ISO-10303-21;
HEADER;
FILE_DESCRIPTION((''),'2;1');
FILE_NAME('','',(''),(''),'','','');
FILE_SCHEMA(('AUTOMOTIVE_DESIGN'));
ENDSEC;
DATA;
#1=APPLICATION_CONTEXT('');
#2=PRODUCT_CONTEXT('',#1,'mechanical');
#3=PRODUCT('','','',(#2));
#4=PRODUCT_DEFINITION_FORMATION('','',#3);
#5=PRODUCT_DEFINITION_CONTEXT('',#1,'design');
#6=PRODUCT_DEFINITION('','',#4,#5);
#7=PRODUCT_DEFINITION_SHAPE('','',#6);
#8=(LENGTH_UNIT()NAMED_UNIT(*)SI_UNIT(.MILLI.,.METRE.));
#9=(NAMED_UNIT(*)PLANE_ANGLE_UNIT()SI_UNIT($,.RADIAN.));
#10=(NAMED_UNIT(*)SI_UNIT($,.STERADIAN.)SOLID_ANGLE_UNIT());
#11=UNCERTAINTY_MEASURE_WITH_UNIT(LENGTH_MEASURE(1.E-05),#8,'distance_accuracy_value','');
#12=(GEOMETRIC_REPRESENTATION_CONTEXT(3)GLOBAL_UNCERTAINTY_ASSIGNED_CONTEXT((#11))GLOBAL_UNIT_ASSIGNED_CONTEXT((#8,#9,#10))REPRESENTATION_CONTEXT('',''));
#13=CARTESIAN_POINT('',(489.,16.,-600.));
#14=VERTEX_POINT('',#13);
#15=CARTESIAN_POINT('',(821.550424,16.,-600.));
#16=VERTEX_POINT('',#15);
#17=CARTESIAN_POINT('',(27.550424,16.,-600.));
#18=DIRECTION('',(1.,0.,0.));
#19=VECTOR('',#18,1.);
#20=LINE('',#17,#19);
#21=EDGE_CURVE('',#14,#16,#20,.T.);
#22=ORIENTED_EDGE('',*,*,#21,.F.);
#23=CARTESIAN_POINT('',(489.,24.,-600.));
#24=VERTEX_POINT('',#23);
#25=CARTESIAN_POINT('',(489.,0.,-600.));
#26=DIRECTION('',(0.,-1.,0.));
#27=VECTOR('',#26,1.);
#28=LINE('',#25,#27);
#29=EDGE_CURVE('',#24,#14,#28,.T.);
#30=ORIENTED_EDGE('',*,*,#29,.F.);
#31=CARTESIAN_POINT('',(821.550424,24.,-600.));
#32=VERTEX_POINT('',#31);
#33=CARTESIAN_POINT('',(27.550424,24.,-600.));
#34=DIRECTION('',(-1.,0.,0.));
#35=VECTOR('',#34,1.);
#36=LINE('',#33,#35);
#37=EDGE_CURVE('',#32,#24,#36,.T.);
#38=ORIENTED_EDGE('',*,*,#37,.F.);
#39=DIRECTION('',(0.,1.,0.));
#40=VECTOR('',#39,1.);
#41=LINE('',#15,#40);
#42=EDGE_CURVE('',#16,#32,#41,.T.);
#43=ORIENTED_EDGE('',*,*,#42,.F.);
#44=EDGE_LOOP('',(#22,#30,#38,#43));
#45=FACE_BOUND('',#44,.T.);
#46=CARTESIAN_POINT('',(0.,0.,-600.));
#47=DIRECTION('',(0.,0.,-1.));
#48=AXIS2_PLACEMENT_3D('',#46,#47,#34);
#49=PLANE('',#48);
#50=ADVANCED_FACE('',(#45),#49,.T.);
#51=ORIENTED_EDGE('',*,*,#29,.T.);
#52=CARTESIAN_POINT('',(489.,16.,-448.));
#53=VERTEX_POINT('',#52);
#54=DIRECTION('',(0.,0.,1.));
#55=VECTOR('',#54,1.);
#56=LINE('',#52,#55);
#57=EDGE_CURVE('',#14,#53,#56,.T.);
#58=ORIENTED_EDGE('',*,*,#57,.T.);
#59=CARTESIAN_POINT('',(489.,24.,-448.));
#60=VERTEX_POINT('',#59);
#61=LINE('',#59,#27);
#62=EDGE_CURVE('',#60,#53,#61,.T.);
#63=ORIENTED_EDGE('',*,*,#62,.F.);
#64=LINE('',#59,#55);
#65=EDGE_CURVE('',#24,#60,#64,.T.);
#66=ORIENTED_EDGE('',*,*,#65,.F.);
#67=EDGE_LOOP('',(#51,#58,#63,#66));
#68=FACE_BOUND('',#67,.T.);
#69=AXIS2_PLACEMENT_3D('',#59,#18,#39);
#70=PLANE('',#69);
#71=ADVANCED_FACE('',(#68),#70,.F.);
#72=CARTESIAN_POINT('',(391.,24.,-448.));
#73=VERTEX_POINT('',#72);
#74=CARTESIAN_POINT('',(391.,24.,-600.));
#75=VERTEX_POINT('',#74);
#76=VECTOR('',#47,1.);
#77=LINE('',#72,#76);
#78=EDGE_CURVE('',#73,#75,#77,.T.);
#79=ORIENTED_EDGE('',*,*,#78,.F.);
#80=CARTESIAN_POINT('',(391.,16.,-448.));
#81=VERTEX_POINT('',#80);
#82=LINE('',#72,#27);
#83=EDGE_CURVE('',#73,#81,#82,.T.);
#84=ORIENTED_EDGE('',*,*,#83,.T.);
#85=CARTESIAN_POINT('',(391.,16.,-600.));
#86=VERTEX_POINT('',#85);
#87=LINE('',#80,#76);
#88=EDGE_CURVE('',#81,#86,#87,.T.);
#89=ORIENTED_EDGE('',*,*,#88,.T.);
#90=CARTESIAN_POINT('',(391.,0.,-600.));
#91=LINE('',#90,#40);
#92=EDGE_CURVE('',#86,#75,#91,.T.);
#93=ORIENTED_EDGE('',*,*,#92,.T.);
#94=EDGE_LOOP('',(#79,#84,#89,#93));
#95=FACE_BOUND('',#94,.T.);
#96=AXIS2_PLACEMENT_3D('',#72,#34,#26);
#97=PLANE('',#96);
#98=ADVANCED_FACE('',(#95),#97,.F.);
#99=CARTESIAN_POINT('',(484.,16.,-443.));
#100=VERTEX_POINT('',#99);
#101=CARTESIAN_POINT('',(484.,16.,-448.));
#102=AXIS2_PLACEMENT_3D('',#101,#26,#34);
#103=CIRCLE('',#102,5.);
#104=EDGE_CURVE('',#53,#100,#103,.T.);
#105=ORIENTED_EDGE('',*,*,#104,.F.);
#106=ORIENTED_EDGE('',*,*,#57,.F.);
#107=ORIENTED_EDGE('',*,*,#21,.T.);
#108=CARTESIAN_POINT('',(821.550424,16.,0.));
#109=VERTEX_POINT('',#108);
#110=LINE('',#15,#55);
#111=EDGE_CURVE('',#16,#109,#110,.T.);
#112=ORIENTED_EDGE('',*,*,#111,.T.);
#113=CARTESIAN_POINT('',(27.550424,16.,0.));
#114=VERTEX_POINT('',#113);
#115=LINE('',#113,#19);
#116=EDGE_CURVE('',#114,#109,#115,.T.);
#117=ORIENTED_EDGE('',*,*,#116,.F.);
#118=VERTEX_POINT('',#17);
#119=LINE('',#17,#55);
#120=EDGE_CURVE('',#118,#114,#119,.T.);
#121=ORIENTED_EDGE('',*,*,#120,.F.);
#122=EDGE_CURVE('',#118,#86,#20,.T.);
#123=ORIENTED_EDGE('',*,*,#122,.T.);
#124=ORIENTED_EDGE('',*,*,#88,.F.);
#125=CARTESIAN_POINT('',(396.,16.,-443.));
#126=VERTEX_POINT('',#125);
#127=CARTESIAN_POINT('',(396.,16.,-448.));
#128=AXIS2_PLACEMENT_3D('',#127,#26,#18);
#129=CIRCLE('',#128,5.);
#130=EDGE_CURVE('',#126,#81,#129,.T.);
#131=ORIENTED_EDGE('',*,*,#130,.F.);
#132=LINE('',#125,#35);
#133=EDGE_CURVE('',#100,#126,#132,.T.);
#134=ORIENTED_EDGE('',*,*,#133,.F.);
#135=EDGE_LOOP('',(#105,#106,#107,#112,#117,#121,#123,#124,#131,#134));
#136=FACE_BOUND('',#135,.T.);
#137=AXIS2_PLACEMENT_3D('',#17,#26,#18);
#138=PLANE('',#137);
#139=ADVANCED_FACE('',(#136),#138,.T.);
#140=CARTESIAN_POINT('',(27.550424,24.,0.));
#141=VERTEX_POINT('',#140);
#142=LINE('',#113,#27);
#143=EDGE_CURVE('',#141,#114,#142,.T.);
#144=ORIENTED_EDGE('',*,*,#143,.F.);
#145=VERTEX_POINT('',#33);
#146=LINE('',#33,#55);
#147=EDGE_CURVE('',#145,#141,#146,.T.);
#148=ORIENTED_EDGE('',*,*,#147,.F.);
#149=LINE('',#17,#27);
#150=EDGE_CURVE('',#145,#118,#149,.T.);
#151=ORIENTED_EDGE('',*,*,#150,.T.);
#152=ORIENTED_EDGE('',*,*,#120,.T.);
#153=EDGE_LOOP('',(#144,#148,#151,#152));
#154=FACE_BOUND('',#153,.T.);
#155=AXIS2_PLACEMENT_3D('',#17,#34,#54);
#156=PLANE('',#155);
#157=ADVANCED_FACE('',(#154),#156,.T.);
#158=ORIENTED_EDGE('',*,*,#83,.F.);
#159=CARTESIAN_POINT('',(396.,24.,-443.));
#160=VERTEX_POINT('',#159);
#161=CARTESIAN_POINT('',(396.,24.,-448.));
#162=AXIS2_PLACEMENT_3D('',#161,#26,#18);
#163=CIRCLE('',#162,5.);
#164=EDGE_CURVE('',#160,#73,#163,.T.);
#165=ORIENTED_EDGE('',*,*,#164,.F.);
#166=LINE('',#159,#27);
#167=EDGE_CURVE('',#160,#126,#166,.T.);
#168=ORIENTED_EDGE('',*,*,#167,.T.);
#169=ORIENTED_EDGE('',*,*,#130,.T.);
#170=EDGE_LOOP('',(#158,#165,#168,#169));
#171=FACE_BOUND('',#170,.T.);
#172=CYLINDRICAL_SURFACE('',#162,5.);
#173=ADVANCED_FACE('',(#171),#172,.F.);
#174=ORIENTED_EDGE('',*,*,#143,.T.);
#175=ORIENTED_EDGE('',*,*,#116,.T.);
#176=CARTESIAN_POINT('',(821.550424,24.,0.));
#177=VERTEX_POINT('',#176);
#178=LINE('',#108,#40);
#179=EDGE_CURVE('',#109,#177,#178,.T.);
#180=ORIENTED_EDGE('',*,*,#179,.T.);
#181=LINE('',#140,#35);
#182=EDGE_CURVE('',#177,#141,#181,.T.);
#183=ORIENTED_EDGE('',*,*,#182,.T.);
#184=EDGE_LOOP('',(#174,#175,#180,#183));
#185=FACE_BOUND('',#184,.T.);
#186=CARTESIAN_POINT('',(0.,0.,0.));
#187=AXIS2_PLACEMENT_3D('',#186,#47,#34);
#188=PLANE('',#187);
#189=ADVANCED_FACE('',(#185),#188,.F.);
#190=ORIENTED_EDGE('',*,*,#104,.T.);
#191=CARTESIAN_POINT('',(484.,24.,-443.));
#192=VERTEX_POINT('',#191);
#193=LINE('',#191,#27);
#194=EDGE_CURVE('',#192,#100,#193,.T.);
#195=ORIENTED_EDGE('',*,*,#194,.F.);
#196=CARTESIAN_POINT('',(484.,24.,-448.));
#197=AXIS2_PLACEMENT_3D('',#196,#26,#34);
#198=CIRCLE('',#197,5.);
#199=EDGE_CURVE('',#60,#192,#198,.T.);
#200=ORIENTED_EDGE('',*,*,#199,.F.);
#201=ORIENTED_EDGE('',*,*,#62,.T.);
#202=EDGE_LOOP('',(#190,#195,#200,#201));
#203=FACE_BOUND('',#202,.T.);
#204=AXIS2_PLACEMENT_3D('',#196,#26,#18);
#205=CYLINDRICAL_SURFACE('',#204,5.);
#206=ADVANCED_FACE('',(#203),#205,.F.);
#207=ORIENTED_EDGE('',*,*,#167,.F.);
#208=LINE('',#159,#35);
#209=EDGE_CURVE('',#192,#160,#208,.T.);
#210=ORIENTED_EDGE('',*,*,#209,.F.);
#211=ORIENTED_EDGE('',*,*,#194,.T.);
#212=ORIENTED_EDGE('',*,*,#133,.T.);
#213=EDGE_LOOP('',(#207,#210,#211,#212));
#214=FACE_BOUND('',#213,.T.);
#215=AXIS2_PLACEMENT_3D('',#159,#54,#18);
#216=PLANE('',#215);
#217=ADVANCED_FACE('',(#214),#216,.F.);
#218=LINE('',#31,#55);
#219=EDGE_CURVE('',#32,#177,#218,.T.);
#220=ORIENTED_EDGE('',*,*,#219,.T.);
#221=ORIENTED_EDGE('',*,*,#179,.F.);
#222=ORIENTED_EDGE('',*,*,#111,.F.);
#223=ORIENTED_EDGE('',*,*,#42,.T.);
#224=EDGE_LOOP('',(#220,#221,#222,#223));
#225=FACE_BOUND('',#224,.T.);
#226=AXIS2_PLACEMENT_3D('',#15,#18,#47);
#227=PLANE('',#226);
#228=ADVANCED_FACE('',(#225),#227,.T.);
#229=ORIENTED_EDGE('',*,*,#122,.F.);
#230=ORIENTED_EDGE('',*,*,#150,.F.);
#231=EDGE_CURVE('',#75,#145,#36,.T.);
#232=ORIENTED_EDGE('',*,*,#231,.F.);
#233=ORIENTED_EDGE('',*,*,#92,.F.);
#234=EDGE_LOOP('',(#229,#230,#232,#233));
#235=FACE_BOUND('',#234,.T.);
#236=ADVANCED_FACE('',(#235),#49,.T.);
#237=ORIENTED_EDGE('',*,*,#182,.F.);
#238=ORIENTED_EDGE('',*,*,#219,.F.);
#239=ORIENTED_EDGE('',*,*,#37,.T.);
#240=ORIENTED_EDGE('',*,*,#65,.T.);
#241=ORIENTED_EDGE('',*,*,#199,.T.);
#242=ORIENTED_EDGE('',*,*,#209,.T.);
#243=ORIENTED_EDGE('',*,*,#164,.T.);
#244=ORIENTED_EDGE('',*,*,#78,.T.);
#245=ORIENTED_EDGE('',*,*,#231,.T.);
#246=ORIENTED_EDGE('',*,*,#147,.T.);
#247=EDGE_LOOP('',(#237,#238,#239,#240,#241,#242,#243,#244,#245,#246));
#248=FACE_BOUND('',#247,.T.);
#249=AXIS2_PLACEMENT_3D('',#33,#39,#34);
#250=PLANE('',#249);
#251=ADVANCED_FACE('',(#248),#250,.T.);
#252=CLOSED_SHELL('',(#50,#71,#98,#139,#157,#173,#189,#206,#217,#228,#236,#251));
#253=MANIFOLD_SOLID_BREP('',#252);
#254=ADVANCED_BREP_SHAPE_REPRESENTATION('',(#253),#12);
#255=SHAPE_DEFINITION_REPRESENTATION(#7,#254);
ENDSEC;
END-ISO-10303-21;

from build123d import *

# Parameters (mm, degrees)
SKETCH_1_W          = 794
SKETCH_1_H          = 8
EXTRUDE_1_DEPTH     = 600
CUT_EXTRUDE_1_DEPTH = 1018.353969246


with BuildPart() as part:
    # 草图1 → 凸台-拉伸1 (new body)
    with BuildSketch(Plane.XY):
        with Locations((424.550423736, 20)):
            Rectangle(SKETCH_1_W, SKETCH_1_H)
    extrude(amount=-EXTRUDE_1_DEPTH)

    # 草图2 → 切除-拉伸1 (cut, through all)
    with BuildSketch(Plane.XZ.offset(-16)):
        with BuildLine():
            Line((396, -443), (484, -443))
            ThreePointArc((484, -443), (487.535533906, -444.464466094), (489, -448))
            Line((489, -448), (489, -603))
            Line((489, -603), (391, -603))
            Line((391, -603), (391, -448))
            ThreePointArc((391, -448), (392.464466094, -444.464466094), (396, -443))
        make_face()
    extrude(amount=-CUT_EXTRUDE_1_DEPTH, mode=Mode.SUBTRACT)


solid = part.part
